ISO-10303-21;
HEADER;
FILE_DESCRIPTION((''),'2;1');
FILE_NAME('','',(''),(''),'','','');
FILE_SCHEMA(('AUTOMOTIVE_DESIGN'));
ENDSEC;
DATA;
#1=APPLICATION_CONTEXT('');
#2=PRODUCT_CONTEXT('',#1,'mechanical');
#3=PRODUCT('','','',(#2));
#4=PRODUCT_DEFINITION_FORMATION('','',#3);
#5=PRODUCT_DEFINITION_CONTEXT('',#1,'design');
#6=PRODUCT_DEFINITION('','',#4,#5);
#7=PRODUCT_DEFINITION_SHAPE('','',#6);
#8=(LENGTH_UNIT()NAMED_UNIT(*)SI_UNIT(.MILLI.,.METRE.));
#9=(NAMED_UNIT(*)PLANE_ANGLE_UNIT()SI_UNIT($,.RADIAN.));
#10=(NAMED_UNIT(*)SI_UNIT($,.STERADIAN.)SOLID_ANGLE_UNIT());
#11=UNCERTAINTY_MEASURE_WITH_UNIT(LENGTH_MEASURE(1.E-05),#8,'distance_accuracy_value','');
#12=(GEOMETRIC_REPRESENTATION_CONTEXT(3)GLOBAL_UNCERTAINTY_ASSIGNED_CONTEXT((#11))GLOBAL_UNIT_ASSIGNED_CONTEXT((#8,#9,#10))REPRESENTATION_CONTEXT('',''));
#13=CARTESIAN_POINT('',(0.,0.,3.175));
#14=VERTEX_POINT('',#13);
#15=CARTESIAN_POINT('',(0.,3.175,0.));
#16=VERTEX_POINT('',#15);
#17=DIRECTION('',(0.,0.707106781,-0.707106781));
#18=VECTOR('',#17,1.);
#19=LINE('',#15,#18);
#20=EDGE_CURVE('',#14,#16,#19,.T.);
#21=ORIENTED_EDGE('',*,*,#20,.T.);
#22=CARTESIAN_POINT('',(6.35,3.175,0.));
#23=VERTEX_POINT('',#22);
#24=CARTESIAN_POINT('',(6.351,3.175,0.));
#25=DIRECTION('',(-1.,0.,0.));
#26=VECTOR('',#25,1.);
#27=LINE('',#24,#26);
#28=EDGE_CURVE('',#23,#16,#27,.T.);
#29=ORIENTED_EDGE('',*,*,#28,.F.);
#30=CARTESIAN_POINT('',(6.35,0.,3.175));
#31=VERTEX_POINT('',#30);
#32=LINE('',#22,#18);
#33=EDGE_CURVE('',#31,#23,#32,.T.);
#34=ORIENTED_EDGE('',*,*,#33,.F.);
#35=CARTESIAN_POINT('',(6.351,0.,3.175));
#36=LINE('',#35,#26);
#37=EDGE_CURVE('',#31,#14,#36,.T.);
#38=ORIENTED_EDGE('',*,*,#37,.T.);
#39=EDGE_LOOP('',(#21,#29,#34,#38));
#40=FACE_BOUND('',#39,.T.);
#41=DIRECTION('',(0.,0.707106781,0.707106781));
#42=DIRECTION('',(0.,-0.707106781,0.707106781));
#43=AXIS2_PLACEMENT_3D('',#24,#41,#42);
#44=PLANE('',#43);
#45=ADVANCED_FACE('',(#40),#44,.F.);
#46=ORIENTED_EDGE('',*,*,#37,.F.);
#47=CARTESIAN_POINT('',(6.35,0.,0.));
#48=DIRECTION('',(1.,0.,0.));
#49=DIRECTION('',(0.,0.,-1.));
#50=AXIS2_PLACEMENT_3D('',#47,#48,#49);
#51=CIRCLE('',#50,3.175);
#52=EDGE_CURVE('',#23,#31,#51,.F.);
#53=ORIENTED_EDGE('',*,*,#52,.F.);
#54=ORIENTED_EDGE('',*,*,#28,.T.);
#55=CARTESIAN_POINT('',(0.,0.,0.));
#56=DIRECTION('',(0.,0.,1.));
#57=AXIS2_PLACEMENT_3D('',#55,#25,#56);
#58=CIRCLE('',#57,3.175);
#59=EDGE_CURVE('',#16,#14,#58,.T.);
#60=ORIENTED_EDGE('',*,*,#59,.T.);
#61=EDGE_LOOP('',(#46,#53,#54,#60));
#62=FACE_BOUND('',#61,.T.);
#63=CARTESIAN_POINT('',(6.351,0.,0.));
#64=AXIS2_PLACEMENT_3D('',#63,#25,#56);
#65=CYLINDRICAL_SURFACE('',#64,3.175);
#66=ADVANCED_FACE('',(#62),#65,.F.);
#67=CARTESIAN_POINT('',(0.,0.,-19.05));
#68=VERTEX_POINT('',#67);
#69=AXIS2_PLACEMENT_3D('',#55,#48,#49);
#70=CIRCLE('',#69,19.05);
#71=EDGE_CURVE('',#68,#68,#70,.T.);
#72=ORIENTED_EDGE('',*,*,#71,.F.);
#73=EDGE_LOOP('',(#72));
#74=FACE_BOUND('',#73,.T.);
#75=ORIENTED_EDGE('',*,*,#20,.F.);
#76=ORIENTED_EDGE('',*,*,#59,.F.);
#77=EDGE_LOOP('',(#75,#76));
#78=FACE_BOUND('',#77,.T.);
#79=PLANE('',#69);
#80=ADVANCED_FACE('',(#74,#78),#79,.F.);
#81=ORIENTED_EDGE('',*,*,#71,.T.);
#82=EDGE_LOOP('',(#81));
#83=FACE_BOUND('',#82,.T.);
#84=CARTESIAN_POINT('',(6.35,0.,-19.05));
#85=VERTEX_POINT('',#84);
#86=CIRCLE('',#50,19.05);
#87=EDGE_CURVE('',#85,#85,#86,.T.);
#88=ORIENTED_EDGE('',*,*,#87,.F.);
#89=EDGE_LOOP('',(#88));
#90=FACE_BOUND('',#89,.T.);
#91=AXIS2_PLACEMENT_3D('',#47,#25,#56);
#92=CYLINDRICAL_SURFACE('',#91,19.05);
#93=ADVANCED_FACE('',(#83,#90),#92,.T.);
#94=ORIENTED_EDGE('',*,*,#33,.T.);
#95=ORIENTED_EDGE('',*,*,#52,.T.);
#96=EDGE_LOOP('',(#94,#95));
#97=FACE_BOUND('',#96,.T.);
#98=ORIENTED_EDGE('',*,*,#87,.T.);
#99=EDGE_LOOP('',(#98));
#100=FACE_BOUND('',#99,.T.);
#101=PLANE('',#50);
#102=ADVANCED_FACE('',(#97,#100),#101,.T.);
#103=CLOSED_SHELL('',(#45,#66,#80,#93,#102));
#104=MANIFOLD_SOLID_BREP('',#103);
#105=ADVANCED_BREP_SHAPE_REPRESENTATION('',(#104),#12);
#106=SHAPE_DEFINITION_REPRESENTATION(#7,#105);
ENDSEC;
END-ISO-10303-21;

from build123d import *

# Parameters (mm, degrees)
SKETCH1_R           = 19.05
BOSS_EXTRUDE1_DEPTH = 6.35
CUT_EXTRUDE1_REACH  = 29.679


with BuildPart() as part:
    # Sketch1 → Boss-Extrude1 (new body)
    with BuildSketch(Plane(origin=(0, 0, 0), x_dir=(0, 0, -1), z_dir=(1, 0, 0))):
        Circle(SKETCH1_R)
    extrude(amount=BOSS_EXTRUDE1_DEPTH)

    # Sketch2 → Cut-Extrude1 (cut, up to next)
    with BuildSketch(Plane.ZY, mode=Mode.PRIVATE) as cut_extrude1_sk1:
        with BuildLine():
            Line((0, 3.175), (3.175, 0))
            ThreePointArc((3.175, 0), (-2.24506403, -2.24506403), (0, 3.175))
        make_face()
    cut_extrude1_tool1 = extrude(cut_extrude1_sk1.sketch, amount=-CUT_EXTRUDE1_REACH, mode=Mode.PRIVATE) & part.part
    add(cut_extrude1_tool1.solids().sort_by_distance((0, -0.18527, -0.18527))[0], mode=Mode.SUBTRACT)


solid = part.part
